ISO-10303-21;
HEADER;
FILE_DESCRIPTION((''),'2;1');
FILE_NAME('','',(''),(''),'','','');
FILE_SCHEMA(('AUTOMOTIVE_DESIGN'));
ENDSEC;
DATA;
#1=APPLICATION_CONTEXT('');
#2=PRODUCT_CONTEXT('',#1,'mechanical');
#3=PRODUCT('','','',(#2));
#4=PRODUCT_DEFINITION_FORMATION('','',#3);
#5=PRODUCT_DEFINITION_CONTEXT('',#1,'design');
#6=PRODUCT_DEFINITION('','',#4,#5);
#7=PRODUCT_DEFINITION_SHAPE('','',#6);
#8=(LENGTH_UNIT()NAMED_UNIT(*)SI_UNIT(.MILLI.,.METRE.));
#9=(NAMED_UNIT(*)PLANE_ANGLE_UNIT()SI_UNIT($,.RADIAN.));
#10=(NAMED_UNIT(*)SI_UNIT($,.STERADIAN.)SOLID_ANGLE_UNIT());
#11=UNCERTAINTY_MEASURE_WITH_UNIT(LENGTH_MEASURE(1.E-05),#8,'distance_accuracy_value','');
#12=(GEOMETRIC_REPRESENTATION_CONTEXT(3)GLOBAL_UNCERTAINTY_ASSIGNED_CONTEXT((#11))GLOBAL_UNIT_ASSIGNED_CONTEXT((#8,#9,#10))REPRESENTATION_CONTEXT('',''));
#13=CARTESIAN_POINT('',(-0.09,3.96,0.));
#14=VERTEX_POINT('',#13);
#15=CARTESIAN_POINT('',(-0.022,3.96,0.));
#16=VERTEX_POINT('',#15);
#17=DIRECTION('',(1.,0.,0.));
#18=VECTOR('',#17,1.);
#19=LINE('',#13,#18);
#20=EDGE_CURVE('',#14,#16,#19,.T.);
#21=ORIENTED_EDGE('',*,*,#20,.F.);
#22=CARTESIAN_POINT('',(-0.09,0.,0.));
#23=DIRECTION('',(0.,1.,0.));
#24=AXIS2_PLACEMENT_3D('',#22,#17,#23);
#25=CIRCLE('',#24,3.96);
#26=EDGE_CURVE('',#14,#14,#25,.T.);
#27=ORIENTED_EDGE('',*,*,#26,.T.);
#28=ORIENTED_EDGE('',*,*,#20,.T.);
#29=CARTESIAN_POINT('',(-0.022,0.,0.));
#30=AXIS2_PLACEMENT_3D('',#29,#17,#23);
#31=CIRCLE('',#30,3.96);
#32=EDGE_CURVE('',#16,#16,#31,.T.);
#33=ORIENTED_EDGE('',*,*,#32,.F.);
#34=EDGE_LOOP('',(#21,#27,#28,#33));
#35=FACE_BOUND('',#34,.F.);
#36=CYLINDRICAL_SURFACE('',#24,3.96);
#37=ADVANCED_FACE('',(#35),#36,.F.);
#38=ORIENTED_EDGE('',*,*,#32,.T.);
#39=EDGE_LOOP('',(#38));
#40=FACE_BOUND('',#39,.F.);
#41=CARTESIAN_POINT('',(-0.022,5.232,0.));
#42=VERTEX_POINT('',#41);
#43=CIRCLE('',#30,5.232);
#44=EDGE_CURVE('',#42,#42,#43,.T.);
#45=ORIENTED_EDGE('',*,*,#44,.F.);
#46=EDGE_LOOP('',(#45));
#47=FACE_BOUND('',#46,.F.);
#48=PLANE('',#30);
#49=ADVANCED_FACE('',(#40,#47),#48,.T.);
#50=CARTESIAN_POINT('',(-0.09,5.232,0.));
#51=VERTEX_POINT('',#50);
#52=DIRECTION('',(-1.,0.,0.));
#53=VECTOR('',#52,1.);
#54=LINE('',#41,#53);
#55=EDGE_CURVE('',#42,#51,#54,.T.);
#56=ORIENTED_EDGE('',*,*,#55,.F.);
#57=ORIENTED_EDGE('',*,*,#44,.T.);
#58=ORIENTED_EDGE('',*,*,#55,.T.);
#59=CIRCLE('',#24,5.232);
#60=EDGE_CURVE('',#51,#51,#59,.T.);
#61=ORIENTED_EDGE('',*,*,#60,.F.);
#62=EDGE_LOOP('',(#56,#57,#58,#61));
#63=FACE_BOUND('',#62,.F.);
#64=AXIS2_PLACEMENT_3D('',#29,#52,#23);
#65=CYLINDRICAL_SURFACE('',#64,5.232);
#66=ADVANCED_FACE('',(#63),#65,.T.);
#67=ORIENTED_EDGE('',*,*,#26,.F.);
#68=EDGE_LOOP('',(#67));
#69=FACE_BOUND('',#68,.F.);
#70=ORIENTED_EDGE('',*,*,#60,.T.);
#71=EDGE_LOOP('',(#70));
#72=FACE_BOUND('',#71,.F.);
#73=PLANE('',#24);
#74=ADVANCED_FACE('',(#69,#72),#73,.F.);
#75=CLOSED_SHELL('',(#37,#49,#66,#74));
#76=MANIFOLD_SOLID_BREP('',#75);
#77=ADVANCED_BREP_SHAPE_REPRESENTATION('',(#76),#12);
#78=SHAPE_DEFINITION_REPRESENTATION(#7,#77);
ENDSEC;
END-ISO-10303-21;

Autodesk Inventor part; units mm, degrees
sketch "Sketch_1" plane through (0, 0, 0) normal (0, 0, 1) x (1, 0, 0)
  line L0 (-0.022, 0) -> (-0.09, 0)
  line L1 (-0.09, 5.232) -> (-0.09, 3.96)
  line L2 (-0.09, 3.96) -> (-0.022, 3.96)
  line L3 (-0.022, 3.96) -> (-0.022, 5.232)
  line L4 (-0.022, 5.232) -> (-0.09, 5.232)
revolve "Revolution1" add sketch "Sketch_1" angle 360 about axis through (-0.022, 0, 0) along (1, 0, 0)
ref_plane "mss_s_XY" through (0, 0, 0) normal (1, 0, 0) x (0, 0, -1)
ref_plane "mss_s_YZ" through (0, 0, 0) normal (0, 0, -1) x (0, 1, 0)
ref_plane "mss_s_ZX" through (0, 0, 0) normal (0, 1, 0) x (1, 0, 0)
properties part number "WBC6-12ZZ Shield"
